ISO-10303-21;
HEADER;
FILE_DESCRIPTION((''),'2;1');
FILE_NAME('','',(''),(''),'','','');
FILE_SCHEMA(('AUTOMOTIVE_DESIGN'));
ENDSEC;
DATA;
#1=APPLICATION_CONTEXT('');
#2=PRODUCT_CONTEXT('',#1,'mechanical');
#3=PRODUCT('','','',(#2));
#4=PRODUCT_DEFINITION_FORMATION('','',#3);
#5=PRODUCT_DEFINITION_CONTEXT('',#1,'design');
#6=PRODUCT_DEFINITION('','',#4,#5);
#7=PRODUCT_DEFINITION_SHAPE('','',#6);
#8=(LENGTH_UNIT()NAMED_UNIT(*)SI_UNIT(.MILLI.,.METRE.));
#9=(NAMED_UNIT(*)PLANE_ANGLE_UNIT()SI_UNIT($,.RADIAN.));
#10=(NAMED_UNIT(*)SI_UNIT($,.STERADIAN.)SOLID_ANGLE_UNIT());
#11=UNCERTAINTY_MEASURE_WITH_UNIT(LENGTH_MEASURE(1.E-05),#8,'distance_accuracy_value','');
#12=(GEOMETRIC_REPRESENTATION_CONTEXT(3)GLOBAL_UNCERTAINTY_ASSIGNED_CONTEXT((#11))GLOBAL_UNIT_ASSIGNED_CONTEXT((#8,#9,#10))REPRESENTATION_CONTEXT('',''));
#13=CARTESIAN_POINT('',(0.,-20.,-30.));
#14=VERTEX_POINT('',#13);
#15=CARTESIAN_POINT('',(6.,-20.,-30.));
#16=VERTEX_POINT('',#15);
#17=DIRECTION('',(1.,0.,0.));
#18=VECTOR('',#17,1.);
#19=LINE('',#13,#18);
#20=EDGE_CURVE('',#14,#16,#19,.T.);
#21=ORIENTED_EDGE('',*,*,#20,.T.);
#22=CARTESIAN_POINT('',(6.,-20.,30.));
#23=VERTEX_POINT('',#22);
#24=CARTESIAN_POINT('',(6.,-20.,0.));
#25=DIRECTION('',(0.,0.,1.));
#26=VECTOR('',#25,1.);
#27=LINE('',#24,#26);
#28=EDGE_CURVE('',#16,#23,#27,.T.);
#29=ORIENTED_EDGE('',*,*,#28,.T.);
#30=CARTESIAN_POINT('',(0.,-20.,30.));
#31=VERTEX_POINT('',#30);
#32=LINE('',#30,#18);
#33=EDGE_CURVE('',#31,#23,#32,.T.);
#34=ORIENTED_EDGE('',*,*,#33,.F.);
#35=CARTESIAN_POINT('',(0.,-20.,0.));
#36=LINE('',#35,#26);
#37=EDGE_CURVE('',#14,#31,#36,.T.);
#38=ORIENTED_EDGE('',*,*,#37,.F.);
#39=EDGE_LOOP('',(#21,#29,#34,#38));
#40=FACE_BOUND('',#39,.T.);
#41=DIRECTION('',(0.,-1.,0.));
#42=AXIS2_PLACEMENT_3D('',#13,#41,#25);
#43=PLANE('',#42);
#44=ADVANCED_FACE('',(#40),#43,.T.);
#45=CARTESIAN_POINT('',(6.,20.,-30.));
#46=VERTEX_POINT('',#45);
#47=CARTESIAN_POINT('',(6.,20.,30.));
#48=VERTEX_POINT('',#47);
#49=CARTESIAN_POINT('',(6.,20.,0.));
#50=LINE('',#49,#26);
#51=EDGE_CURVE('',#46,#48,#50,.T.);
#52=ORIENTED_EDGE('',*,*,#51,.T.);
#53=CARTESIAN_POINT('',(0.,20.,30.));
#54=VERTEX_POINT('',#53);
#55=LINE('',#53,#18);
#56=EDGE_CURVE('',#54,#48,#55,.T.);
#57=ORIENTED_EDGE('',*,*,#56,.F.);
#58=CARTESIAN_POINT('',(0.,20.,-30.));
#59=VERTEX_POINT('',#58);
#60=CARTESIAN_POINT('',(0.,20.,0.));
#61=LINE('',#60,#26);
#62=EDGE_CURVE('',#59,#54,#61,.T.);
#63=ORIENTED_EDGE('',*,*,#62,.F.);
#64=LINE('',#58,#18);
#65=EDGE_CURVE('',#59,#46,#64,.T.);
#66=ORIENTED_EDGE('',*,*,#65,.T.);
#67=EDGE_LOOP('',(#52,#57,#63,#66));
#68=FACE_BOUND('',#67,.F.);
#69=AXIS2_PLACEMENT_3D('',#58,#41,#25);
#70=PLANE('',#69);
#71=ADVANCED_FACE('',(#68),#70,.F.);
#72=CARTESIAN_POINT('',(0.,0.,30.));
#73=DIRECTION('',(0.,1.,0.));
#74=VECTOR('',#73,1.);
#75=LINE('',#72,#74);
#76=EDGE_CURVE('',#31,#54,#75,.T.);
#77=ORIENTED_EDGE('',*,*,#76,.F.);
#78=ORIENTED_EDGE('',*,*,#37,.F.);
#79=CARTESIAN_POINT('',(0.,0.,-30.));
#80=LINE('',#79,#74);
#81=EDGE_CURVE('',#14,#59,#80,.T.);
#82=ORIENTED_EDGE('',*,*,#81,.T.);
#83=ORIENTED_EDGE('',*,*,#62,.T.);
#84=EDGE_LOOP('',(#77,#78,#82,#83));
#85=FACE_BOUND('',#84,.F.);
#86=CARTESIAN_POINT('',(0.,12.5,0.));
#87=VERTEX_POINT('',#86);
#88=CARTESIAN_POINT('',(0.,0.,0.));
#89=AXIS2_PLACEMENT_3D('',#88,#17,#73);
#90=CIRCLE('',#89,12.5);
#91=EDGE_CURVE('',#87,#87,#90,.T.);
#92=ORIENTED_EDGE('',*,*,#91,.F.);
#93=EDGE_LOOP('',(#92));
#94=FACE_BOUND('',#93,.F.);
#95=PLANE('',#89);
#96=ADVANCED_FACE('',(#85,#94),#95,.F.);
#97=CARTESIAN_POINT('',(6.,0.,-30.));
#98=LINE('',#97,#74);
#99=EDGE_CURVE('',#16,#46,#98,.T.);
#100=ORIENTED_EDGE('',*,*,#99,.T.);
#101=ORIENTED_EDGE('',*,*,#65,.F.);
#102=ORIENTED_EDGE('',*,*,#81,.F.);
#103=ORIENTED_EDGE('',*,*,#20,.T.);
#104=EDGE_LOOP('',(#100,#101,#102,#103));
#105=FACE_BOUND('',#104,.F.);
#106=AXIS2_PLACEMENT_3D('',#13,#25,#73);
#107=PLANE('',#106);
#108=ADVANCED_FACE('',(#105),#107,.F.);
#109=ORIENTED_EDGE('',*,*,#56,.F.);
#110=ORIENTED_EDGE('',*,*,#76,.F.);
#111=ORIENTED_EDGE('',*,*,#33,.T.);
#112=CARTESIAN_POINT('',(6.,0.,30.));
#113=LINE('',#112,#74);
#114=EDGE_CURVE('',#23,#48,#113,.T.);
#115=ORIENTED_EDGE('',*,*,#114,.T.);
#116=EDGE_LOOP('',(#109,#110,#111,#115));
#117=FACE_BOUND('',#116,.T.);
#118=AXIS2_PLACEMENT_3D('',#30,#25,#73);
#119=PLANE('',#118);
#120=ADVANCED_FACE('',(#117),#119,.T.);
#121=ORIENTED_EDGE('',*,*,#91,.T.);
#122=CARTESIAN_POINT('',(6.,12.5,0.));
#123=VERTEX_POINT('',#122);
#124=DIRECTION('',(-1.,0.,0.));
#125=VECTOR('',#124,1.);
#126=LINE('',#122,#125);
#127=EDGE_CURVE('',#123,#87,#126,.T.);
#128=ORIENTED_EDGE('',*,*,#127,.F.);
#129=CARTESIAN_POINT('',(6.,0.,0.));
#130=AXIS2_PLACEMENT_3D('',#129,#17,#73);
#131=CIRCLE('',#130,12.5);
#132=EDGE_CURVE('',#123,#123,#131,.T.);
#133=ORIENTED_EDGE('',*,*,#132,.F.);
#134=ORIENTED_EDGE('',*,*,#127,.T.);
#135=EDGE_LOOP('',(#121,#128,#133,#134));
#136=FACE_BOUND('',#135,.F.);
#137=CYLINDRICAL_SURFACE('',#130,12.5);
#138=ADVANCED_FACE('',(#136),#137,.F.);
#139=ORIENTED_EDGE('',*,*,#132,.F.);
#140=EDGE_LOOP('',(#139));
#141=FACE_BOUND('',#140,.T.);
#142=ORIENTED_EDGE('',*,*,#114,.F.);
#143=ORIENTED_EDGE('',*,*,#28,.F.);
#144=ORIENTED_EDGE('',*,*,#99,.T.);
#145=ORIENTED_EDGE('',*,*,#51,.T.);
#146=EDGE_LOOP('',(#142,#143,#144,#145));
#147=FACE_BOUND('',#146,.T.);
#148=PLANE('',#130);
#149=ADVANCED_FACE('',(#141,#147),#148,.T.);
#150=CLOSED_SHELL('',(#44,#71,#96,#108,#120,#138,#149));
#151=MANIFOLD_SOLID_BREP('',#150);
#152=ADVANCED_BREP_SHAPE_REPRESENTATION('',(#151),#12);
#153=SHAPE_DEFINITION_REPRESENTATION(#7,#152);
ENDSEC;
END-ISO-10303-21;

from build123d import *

# Parameters (mm, degrees)
F0_W     = 40
F0_H     = 60
F1_DEPTH = 6
F2_R     = 12.5
F3_DEPTH = 25


with BuildPart() as f1:
    # F0 (on Right) → F1 (new body)
    with BuildSketch(Plane.YZ):
        Rectangle(F0_W, F0_H)
    extrude(amount=F1_DEPTH)

    # F2 (on face) → F3 (cut)
    with BuildSketch(Plane.YZ.offset(6)):
        Circle(F2_R)
    extrude(amount=-F3_DEPTH, mode=Mode.SUBTRACT)


solid = f1.part
